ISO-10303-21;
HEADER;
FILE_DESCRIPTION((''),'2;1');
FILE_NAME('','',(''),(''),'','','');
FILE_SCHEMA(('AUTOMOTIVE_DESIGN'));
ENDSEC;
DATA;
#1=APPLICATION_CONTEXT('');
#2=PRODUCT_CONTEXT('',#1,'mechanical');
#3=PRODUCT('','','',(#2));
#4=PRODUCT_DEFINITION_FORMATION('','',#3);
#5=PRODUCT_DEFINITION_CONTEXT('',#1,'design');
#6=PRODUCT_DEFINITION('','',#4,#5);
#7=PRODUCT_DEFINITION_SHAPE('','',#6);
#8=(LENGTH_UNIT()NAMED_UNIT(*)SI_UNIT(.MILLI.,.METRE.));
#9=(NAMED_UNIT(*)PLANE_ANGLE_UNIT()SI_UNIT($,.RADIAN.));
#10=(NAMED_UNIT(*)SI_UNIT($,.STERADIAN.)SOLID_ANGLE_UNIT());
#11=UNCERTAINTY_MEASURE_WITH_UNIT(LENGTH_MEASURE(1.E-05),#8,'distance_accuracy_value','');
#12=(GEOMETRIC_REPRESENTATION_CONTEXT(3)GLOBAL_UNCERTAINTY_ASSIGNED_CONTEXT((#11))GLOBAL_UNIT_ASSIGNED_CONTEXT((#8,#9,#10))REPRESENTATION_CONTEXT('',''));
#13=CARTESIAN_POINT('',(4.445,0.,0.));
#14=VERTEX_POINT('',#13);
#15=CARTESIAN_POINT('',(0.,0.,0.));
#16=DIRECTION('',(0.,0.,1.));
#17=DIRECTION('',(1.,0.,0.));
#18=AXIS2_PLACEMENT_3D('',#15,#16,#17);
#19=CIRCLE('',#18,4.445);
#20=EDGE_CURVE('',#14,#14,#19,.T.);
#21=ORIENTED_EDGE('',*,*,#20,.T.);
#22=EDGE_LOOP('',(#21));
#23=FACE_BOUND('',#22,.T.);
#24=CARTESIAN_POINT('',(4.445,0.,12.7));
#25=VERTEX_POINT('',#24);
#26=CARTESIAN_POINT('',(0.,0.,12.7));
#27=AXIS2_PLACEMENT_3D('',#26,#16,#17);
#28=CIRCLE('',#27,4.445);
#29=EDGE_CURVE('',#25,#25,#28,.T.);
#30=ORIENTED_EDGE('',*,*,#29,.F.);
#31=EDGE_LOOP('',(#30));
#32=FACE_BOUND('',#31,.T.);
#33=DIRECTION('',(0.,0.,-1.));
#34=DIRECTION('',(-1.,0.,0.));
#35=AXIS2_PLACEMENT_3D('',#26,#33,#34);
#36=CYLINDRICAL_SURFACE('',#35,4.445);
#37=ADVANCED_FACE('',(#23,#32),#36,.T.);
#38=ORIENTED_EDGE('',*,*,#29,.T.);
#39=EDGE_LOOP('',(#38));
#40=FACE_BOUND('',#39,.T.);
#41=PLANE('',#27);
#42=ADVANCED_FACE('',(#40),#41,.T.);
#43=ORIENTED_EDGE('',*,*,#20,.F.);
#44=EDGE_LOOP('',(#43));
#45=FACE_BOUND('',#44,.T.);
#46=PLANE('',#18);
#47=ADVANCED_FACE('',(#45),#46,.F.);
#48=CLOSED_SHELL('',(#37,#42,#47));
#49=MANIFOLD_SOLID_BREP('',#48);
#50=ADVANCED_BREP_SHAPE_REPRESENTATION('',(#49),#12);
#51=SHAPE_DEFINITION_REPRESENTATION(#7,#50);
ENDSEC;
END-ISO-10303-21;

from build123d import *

# Parameters (mm, degrees)
IZIM1_R                     = 4.445
Y_KSEKLIK_EKSTR_ZYON1_DEPTH = 12.7


with BuildPart() as part:
    # Çizim1 → Yükseklik-Ekstrüzyon1 (new body)
    with BuildSketch(Plane.XY):
        Circle(IZIM1_R)
    extrude(amount=Y_KSEKLIK_EKSTR_ZYON1_DEPTH)


solid = part.part
